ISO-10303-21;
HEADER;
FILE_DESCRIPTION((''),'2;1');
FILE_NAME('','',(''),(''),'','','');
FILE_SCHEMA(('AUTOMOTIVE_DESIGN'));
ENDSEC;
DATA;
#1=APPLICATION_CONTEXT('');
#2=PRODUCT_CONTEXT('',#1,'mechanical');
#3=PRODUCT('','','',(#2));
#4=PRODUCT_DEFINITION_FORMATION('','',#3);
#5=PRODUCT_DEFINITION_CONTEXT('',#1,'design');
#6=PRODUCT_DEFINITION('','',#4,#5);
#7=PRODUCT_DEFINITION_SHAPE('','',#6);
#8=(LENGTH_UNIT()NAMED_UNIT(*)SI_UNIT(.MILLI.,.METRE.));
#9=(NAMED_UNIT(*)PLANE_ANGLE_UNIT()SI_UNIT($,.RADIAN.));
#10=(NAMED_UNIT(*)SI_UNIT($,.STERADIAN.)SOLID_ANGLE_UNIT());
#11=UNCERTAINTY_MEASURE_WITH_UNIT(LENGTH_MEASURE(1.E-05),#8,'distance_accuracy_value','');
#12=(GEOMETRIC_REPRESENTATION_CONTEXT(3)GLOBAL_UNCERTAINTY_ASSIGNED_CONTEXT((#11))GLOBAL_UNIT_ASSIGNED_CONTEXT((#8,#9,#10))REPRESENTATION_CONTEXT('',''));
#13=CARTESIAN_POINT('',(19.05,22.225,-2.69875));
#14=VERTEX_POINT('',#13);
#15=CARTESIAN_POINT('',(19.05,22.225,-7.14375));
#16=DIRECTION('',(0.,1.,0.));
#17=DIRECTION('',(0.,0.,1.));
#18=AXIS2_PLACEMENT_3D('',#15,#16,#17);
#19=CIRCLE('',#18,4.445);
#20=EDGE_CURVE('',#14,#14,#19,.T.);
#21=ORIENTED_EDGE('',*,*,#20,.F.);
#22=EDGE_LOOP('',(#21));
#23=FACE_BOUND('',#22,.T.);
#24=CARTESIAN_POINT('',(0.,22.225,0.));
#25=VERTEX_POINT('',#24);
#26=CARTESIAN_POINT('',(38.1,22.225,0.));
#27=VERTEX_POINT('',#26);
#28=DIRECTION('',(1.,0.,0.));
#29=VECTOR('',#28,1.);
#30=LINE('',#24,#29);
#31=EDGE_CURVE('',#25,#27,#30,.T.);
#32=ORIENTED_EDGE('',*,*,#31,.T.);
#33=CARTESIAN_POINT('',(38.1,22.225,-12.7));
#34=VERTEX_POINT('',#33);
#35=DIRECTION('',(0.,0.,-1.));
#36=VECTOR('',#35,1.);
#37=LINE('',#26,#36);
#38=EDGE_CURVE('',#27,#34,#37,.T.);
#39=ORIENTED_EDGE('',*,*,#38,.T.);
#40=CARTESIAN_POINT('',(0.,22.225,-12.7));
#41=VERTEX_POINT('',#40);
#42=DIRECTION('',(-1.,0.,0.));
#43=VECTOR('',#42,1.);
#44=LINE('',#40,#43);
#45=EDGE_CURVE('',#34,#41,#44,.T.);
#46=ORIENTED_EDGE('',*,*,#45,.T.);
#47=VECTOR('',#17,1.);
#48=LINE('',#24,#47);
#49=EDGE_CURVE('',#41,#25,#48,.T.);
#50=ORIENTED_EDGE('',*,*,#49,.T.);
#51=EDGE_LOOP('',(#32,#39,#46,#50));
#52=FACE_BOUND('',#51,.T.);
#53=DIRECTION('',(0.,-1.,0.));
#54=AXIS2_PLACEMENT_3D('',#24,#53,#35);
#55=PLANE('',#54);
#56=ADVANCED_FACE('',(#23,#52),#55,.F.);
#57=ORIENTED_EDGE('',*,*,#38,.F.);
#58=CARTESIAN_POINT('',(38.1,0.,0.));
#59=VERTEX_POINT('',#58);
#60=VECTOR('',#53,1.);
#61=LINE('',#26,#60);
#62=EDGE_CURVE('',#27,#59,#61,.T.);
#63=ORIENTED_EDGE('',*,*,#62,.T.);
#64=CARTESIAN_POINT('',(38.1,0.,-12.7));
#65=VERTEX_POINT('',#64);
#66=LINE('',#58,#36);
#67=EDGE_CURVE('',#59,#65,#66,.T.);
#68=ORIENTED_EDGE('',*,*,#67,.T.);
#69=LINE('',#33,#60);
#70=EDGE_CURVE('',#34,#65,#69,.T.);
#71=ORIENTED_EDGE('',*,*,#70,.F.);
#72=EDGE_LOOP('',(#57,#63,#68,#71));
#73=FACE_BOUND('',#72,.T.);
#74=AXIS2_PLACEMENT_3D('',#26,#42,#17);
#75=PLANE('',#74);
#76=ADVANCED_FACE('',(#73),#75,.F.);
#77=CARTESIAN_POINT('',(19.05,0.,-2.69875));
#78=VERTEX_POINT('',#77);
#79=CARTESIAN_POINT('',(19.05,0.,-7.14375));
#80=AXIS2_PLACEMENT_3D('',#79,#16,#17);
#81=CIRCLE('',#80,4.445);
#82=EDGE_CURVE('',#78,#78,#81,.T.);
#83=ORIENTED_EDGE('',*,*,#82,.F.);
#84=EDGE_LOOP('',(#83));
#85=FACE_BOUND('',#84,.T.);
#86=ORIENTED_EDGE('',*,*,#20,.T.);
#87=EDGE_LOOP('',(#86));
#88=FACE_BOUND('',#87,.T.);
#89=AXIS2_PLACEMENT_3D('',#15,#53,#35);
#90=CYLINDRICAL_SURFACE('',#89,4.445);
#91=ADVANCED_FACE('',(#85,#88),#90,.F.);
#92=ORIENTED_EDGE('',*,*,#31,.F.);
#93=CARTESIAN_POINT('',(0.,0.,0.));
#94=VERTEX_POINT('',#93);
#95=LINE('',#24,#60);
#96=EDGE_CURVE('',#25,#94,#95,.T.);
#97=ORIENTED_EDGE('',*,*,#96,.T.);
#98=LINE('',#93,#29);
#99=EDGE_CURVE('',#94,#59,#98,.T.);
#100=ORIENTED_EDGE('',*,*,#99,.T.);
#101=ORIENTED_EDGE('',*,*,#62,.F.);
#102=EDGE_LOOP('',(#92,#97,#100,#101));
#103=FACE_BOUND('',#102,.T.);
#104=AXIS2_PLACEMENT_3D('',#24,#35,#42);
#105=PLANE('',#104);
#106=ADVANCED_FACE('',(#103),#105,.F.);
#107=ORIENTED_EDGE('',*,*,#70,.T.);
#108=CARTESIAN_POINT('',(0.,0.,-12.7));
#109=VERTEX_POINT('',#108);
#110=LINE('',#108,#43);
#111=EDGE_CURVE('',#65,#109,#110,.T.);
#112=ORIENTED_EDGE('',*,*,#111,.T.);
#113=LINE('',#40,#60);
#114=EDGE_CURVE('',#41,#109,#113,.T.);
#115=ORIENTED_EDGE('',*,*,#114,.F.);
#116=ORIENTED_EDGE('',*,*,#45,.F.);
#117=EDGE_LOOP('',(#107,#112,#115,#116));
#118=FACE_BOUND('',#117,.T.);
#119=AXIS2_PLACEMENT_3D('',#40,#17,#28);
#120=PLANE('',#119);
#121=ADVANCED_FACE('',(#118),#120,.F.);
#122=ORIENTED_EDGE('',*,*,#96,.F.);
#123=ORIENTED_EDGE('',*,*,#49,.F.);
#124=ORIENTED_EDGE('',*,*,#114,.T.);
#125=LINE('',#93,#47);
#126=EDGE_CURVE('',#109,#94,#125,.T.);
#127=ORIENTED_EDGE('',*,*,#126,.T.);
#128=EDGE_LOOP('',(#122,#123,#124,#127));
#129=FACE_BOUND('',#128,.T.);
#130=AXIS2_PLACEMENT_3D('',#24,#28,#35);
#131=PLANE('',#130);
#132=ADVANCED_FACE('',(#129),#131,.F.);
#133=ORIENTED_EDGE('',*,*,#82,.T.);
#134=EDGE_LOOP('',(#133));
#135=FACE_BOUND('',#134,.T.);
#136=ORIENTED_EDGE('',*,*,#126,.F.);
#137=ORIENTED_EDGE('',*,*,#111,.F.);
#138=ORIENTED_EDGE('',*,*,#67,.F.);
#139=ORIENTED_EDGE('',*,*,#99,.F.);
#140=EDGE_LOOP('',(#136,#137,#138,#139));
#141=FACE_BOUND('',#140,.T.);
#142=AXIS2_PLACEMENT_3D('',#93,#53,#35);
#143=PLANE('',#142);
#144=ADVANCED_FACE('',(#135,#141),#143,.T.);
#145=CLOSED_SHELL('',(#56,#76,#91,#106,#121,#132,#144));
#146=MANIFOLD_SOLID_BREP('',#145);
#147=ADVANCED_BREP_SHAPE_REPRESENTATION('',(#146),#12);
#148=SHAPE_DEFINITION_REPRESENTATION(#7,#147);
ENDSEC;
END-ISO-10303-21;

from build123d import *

# Parameters (mm, degrees)
SKETCH1_W           = 38.1
SKETCH1_H           = 12.7
SKETCH1_R           = 4.445
BOSS_EXTRUDE1_DEPTH = 22.225


with BuildPart() as part:
    # Sketch1 → Boss-Extrude1 (new body)
    with BuildSketch(Plane(origin=(0, 0, 0), x_dir=(1, 0, 0), z_dir=(0, 1, 0))):
        with Locations((19.05, 6.35)):
            Rectangle(SKETCH1_W, SKETCH1_H)
        with Locations((19.05, 7.14375)):
            Circle(SKETCH1_R, mode=Mode.SUBTRACT)
    extrude(amount=BOSS_EXTRUDE1_DEPTH)


solid = part.part
